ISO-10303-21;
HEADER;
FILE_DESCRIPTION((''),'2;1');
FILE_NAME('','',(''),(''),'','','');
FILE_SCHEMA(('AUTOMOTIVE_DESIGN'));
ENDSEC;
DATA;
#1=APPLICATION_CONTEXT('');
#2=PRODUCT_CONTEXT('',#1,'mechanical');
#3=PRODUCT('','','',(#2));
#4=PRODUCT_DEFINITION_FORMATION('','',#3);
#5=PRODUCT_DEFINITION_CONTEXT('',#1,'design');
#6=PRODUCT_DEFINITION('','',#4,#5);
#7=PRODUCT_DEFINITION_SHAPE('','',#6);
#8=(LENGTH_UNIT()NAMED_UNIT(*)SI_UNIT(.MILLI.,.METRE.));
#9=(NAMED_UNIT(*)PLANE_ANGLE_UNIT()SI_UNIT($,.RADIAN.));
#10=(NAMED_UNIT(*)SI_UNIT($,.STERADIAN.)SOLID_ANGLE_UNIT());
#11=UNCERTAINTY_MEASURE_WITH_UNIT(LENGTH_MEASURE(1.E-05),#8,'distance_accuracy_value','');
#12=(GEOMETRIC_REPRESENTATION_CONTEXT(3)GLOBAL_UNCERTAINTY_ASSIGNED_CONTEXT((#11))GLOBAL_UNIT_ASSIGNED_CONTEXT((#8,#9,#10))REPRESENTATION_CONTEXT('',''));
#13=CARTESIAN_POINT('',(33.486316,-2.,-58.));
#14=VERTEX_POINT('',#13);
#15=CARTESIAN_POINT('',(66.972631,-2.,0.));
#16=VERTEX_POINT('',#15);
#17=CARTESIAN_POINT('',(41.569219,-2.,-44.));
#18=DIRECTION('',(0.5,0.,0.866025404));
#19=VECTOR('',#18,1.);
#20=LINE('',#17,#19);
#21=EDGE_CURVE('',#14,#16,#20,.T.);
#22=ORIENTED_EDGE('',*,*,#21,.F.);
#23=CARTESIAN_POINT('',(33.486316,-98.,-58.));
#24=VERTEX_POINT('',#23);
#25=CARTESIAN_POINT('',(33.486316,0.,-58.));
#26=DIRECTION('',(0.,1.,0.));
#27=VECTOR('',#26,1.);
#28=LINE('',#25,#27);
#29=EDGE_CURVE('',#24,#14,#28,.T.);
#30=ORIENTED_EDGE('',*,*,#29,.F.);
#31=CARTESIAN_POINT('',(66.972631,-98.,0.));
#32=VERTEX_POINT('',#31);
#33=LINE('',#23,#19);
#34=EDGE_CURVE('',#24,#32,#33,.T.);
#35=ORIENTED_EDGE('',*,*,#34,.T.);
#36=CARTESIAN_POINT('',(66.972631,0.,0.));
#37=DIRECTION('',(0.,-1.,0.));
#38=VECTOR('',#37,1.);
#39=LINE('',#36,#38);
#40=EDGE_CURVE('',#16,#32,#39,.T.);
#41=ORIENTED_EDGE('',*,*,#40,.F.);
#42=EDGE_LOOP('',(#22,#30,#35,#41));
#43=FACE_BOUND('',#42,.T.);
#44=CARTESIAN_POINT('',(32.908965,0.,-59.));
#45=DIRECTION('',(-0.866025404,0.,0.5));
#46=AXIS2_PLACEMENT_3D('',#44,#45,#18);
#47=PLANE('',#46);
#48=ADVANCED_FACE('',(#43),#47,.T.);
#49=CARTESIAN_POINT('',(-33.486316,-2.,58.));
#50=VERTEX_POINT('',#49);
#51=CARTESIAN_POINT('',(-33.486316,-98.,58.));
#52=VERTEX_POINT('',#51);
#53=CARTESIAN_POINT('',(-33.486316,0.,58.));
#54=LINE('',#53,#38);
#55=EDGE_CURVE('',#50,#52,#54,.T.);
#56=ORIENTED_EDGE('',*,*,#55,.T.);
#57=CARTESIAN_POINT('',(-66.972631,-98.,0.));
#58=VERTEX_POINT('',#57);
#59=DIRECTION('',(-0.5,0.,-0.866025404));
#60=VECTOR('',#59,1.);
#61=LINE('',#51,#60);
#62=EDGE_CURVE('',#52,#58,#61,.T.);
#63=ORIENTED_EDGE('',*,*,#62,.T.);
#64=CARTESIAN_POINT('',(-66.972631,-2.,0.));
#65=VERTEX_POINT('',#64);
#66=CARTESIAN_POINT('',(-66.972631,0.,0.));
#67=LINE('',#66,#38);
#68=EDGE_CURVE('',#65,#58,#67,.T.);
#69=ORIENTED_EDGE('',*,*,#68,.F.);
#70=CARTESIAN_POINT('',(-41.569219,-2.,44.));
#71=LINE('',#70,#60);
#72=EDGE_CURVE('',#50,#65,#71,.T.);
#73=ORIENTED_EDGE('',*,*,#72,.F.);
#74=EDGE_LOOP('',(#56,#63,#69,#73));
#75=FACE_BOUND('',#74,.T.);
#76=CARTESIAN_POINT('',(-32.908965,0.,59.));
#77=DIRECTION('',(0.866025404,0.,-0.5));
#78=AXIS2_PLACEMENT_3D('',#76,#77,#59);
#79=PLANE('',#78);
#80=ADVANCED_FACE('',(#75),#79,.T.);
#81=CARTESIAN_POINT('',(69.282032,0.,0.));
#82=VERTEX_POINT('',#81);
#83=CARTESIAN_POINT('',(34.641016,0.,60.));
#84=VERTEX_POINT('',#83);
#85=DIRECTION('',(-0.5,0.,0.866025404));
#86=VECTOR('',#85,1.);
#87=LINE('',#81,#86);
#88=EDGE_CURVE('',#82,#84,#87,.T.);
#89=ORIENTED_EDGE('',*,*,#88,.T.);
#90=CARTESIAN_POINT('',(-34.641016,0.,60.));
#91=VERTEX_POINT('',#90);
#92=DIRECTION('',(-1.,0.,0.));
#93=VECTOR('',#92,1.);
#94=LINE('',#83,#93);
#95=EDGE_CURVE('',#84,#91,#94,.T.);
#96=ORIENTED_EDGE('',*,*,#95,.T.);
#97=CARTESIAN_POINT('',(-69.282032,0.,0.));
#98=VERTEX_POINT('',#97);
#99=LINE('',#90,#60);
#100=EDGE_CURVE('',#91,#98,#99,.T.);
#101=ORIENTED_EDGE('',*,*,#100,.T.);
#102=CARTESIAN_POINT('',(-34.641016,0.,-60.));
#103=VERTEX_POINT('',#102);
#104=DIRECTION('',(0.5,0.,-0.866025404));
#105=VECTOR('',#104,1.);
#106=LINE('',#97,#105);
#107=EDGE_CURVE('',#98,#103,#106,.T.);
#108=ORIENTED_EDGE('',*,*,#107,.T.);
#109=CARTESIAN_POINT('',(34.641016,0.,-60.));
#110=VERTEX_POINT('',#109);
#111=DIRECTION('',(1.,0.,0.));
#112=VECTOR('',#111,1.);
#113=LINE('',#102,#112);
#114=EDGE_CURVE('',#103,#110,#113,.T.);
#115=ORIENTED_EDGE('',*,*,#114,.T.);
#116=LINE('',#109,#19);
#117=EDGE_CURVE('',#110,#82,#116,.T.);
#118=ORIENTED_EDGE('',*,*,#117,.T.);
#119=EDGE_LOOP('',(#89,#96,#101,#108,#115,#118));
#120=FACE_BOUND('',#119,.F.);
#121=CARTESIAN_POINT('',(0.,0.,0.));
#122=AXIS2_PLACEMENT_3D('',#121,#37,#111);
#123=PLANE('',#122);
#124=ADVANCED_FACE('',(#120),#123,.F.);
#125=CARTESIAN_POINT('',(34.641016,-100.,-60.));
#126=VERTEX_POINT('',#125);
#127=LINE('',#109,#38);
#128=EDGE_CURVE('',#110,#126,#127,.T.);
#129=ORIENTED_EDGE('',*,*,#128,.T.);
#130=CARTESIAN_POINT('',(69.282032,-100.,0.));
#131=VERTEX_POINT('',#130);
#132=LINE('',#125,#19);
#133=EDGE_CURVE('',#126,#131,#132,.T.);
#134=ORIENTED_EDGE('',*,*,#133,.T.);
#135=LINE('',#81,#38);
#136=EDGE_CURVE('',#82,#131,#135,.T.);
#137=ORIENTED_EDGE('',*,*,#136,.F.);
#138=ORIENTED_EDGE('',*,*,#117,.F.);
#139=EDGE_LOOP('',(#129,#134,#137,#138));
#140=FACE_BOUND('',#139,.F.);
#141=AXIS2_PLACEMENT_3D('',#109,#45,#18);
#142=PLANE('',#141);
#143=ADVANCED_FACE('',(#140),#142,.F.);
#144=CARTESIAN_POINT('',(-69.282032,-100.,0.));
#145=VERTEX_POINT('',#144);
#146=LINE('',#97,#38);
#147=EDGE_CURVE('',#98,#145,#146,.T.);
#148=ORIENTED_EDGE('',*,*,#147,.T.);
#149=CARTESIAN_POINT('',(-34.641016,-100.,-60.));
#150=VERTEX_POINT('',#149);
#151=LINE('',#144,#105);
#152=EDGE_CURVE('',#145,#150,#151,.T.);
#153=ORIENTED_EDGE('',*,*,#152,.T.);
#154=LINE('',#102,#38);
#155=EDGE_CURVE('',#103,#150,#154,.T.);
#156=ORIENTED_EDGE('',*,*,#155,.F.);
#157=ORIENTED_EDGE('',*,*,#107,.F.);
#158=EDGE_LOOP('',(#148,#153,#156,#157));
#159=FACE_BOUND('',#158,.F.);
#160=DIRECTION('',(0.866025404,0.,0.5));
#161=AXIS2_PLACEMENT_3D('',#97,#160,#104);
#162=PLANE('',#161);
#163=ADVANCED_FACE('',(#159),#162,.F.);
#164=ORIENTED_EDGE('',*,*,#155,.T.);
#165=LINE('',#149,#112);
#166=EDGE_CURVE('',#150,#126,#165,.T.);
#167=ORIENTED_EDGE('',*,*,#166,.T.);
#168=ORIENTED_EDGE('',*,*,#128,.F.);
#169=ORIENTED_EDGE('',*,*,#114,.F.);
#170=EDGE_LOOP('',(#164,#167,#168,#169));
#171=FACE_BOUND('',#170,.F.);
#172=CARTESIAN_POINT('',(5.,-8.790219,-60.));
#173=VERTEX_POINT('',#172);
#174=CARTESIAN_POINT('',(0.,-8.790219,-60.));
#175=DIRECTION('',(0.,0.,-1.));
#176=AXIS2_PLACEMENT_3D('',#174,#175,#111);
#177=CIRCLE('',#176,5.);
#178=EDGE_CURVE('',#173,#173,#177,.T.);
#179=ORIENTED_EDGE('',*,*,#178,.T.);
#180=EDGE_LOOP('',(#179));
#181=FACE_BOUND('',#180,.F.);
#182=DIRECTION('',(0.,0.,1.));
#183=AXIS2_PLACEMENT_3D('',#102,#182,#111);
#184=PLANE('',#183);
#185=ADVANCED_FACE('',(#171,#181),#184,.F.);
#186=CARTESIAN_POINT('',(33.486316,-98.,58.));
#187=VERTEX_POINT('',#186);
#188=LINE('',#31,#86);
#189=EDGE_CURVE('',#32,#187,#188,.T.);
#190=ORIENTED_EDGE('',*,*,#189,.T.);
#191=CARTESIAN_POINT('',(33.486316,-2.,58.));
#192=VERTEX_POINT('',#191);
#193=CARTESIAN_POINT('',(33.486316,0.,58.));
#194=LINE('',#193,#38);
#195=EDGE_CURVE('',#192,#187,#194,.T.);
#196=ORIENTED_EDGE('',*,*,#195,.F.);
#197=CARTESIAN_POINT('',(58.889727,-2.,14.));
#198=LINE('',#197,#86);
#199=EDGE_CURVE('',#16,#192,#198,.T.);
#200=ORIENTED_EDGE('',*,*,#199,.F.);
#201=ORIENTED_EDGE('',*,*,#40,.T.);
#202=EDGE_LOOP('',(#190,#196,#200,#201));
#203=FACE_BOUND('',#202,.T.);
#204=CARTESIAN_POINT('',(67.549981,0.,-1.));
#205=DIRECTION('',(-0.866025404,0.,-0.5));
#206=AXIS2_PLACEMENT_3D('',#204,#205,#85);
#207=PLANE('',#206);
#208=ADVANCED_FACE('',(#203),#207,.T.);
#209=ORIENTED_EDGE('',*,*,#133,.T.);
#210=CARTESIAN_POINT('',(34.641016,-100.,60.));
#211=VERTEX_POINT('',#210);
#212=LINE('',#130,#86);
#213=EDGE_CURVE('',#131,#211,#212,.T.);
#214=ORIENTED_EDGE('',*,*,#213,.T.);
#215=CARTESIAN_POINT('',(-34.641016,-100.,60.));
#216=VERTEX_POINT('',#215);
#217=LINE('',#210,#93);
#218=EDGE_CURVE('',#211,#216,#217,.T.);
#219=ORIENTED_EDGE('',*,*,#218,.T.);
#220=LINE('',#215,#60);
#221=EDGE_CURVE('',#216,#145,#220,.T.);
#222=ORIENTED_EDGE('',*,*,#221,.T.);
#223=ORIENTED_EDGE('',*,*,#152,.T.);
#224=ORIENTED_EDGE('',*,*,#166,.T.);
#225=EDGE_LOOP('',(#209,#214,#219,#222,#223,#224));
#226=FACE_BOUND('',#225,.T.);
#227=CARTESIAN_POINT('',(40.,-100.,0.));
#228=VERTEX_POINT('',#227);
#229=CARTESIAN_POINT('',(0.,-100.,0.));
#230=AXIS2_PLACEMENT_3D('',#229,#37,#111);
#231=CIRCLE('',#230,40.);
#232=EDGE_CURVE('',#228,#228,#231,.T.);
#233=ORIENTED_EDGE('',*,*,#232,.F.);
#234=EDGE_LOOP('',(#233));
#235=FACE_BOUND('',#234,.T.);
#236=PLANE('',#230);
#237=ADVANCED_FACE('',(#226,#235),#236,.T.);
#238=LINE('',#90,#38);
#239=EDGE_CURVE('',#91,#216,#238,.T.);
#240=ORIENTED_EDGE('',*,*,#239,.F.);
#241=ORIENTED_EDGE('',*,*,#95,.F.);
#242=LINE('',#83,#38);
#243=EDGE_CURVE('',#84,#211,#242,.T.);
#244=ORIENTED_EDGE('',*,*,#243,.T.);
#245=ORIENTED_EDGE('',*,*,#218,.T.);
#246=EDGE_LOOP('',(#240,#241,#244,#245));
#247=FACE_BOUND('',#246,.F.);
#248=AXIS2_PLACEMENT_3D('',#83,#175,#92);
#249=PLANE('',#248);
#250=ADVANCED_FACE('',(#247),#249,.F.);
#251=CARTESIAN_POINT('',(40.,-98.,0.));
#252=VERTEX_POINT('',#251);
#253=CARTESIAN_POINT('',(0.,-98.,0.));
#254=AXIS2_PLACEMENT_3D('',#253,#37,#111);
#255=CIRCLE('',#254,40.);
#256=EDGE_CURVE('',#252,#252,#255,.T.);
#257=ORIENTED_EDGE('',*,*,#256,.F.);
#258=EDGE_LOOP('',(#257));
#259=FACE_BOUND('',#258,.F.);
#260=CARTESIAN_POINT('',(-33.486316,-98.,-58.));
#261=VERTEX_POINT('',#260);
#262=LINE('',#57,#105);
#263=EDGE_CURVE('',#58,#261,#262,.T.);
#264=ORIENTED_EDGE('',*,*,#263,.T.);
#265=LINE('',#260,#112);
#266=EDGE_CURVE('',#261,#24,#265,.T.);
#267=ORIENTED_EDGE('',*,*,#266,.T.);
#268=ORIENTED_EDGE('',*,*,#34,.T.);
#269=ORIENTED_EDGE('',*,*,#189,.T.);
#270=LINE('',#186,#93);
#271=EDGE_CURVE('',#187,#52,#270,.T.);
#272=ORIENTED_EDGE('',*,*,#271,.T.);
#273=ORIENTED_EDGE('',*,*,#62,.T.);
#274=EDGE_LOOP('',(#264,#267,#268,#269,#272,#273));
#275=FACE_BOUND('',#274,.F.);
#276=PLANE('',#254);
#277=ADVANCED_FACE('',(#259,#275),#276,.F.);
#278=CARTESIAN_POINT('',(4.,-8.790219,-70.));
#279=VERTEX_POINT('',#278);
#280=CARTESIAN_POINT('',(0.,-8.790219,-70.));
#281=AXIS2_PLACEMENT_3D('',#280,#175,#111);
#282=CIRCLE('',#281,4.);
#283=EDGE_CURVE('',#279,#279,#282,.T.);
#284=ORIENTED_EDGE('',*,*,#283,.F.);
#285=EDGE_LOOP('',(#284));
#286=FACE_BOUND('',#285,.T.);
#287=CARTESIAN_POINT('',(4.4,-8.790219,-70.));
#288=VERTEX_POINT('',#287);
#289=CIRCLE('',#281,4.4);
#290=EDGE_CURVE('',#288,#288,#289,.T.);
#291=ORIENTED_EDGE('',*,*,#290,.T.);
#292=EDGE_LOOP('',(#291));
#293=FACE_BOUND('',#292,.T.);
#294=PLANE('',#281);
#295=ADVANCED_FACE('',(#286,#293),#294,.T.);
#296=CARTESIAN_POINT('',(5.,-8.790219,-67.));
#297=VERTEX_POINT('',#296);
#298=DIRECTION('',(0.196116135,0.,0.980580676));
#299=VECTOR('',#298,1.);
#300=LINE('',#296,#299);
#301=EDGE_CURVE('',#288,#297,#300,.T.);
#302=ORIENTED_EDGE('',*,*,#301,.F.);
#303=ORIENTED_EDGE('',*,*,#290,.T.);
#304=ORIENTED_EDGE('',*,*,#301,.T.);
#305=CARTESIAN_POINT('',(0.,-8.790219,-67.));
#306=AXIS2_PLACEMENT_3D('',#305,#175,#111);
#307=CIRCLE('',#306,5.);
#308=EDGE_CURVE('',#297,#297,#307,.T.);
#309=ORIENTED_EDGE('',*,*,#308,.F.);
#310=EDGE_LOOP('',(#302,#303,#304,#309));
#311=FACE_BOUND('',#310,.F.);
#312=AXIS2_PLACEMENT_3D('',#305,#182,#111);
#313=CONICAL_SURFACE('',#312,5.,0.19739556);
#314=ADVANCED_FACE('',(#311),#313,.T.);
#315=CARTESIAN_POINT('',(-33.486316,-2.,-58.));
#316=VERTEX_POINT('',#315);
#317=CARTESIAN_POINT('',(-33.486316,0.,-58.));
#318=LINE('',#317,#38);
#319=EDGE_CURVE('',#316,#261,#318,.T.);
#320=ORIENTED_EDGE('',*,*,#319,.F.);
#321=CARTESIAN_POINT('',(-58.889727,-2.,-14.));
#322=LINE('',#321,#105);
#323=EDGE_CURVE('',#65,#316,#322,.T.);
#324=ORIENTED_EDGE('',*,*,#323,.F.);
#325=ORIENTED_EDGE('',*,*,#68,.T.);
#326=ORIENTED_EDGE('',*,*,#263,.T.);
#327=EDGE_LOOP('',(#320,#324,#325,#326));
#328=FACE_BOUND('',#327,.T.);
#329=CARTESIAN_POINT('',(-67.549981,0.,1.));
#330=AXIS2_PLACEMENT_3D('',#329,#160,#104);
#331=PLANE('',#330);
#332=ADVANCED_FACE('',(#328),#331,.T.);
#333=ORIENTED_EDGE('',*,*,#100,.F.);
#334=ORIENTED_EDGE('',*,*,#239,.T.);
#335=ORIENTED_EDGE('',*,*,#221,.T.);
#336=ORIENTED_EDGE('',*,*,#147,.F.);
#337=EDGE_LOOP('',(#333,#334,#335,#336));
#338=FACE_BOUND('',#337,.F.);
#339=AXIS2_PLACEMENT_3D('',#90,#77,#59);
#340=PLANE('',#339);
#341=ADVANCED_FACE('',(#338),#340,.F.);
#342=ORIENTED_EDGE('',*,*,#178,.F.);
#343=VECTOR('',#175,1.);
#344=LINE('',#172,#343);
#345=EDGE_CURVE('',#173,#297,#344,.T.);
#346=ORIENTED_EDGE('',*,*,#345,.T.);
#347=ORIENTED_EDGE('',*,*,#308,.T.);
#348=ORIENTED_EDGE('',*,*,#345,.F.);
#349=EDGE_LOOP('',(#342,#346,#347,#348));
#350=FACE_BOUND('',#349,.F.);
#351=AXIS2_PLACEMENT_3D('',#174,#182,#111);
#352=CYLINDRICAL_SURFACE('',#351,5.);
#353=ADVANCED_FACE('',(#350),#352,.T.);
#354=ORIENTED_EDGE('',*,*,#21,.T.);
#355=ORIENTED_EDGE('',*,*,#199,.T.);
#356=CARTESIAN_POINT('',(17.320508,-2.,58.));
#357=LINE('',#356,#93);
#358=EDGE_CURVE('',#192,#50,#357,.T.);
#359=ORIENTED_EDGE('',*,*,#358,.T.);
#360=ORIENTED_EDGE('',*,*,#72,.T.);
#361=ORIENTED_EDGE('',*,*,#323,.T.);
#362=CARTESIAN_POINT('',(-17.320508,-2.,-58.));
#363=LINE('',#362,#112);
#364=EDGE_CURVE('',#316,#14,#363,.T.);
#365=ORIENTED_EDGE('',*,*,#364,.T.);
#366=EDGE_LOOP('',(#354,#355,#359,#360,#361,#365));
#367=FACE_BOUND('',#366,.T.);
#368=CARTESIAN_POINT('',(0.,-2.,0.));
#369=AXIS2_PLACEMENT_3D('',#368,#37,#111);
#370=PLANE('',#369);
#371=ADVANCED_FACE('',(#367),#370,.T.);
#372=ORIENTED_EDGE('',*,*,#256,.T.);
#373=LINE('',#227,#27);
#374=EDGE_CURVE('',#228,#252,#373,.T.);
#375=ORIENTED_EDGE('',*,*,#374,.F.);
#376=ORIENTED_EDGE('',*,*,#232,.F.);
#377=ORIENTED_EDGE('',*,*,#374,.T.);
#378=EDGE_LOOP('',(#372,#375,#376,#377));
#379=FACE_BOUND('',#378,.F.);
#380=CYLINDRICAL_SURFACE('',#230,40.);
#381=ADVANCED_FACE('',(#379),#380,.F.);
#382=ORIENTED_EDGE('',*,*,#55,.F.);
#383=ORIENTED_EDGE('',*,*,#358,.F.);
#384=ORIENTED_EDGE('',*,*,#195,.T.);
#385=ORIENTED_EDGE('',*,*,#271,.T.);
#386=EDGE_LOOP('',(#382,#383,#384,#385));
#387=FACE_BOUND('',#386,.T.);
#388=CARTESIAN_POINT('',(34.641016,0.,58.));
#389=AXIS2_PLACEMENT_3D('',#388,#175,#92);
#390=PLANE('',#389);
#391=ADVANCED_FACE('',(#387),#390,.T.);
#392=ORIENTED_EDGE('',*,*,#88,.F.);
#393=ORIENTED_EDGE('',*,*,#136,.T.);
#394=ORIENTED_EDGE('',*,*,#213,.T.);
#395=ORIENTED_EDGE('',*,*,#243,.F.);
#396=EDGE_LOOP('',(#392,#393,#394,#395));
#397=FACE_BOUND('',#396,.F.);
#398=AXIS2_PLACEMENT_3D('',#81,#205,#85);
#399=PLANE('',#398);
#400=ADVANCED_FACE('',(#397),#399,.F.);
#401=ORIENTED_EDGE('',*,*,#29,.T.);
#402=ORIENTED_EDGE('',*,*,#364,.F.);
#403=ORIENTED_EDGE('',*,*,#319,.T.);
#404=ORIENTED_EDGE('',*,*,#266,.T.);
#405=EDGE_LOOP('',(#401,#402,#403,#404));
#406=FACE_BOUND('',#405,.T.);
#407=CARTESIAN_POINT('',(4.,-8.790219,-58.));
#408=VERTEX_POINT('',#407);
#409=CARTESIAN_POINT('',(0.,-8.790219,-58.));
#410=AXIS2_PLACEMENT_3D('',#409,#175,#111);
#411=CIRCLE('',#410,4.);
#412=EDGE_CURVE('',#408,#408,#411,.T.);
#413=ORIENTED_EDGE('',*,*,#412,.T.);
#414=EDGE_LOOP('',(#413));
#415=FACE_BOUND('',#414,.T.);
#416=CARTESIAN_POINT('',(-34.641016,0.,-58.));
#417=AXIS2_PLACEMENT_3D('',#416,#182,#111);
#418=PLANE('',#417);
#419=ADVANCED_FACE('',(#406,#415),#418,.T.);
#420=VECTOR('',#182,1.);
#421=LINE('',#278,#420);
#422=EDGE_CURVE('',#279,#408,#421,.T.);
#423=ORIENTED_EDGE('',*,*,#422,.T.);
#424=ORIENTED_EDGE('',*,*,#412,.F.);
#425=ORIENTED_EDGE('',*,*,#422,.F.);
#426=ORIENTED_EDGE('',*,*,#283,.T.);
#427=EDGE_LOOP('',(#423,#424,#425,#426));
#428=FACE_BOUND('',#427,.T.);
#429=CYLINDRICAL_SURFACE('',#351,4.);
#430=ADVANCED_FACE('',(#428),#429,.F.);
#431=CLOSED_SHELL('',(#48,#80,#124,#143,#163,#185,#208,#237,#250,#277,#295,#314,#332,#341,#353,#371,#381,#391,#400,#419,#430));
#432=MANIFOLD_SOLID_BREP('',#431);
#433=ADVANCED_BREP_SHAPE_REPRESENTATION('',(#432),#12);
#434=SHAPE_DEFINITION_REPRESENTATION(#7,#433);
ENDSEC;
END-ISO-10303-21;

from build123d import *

# Parameters (mm, degrees)
F1_DEPTH = 100
F2_T     = -2
F3_R     = 40
F4_DEPTH = 2
F5_R     = 4
F6_DEPTH = 2
F5_R_2   = 5
F7_DEPTH = 10
F8_SIZE2 = 3
F8_SIZE  = 0.6


with BuildPart() as f1:
    # F0 (on Front) → F1 (new body)
    with BuildSketch(Plane.XZ):
        Polygon((34.6410161514, -60), (69.2820323028, 0), (34.6410161514, 60), (-34.6410161514, 60), (-69.2820323028, 0), (-34.6410161514, -60), align=None)
    extrude(amount=F1_DEPTH)

    # F2
    f2_openings = [f1.faces().sort_by_distance(p)[0] for p in [
        (0, -100, 0),
    ]]
    offset(amount=F2_T, openings=f2_openings)

    # F3 (on face) → F4 (join)
    with BuildSketch(Plane.XZ.offset(100)):
        Polygon((-33.486315613, -58), (33.486315613, -58), (66.972631226, 0), (33.486315613, 58), (-33.486315613, 58), (-66.972631226, 0), align=None)
        Circle(F3_R, mode=Mode.SUBTRACT)
    extrude(amount=-F4_DEPTH)

    # F5 (on face) → F6 (cut, through all)
    with BuildSketch(Plane(origin=(0, 0, -60), x_dir=(1, 0, 0), z_dir=(0, 0, -1))):
        with Locations((0, 8.7902189698)):
            Circle(F5_R)
    extrude(amount=-F6_DEPTH, mode=Mode.SUBTRACT)

    # F5 (on face) → F7 (join)
    with BuildSketch(Plane(origin=(0, 0, -60), x_dir=(1, 0, 0), z_dir=(0, 0, -1))):
        with Locations((0, 8.7902189698)):
            Circle(F5_R_2)
        with Locations((0, 8.7902189698)):
            Circle(F5_R, mode=Mode.SUBTRACT)
    extrude(amount=F7_DEPTH)

    # F8
    f8_edges = [f1.edges().sort_by_distance(p)[0] for p in [
        (-5, -8.790219, -70),
    ]]
    f8_side = f1.faces().sort_by_distance((-4.858579, -8.790219, -70))[0]
    chamfer(f8_edges, length=F8_SIZE, length2=F8_SIZE2, reference=f8_side)


solid = f1.part
